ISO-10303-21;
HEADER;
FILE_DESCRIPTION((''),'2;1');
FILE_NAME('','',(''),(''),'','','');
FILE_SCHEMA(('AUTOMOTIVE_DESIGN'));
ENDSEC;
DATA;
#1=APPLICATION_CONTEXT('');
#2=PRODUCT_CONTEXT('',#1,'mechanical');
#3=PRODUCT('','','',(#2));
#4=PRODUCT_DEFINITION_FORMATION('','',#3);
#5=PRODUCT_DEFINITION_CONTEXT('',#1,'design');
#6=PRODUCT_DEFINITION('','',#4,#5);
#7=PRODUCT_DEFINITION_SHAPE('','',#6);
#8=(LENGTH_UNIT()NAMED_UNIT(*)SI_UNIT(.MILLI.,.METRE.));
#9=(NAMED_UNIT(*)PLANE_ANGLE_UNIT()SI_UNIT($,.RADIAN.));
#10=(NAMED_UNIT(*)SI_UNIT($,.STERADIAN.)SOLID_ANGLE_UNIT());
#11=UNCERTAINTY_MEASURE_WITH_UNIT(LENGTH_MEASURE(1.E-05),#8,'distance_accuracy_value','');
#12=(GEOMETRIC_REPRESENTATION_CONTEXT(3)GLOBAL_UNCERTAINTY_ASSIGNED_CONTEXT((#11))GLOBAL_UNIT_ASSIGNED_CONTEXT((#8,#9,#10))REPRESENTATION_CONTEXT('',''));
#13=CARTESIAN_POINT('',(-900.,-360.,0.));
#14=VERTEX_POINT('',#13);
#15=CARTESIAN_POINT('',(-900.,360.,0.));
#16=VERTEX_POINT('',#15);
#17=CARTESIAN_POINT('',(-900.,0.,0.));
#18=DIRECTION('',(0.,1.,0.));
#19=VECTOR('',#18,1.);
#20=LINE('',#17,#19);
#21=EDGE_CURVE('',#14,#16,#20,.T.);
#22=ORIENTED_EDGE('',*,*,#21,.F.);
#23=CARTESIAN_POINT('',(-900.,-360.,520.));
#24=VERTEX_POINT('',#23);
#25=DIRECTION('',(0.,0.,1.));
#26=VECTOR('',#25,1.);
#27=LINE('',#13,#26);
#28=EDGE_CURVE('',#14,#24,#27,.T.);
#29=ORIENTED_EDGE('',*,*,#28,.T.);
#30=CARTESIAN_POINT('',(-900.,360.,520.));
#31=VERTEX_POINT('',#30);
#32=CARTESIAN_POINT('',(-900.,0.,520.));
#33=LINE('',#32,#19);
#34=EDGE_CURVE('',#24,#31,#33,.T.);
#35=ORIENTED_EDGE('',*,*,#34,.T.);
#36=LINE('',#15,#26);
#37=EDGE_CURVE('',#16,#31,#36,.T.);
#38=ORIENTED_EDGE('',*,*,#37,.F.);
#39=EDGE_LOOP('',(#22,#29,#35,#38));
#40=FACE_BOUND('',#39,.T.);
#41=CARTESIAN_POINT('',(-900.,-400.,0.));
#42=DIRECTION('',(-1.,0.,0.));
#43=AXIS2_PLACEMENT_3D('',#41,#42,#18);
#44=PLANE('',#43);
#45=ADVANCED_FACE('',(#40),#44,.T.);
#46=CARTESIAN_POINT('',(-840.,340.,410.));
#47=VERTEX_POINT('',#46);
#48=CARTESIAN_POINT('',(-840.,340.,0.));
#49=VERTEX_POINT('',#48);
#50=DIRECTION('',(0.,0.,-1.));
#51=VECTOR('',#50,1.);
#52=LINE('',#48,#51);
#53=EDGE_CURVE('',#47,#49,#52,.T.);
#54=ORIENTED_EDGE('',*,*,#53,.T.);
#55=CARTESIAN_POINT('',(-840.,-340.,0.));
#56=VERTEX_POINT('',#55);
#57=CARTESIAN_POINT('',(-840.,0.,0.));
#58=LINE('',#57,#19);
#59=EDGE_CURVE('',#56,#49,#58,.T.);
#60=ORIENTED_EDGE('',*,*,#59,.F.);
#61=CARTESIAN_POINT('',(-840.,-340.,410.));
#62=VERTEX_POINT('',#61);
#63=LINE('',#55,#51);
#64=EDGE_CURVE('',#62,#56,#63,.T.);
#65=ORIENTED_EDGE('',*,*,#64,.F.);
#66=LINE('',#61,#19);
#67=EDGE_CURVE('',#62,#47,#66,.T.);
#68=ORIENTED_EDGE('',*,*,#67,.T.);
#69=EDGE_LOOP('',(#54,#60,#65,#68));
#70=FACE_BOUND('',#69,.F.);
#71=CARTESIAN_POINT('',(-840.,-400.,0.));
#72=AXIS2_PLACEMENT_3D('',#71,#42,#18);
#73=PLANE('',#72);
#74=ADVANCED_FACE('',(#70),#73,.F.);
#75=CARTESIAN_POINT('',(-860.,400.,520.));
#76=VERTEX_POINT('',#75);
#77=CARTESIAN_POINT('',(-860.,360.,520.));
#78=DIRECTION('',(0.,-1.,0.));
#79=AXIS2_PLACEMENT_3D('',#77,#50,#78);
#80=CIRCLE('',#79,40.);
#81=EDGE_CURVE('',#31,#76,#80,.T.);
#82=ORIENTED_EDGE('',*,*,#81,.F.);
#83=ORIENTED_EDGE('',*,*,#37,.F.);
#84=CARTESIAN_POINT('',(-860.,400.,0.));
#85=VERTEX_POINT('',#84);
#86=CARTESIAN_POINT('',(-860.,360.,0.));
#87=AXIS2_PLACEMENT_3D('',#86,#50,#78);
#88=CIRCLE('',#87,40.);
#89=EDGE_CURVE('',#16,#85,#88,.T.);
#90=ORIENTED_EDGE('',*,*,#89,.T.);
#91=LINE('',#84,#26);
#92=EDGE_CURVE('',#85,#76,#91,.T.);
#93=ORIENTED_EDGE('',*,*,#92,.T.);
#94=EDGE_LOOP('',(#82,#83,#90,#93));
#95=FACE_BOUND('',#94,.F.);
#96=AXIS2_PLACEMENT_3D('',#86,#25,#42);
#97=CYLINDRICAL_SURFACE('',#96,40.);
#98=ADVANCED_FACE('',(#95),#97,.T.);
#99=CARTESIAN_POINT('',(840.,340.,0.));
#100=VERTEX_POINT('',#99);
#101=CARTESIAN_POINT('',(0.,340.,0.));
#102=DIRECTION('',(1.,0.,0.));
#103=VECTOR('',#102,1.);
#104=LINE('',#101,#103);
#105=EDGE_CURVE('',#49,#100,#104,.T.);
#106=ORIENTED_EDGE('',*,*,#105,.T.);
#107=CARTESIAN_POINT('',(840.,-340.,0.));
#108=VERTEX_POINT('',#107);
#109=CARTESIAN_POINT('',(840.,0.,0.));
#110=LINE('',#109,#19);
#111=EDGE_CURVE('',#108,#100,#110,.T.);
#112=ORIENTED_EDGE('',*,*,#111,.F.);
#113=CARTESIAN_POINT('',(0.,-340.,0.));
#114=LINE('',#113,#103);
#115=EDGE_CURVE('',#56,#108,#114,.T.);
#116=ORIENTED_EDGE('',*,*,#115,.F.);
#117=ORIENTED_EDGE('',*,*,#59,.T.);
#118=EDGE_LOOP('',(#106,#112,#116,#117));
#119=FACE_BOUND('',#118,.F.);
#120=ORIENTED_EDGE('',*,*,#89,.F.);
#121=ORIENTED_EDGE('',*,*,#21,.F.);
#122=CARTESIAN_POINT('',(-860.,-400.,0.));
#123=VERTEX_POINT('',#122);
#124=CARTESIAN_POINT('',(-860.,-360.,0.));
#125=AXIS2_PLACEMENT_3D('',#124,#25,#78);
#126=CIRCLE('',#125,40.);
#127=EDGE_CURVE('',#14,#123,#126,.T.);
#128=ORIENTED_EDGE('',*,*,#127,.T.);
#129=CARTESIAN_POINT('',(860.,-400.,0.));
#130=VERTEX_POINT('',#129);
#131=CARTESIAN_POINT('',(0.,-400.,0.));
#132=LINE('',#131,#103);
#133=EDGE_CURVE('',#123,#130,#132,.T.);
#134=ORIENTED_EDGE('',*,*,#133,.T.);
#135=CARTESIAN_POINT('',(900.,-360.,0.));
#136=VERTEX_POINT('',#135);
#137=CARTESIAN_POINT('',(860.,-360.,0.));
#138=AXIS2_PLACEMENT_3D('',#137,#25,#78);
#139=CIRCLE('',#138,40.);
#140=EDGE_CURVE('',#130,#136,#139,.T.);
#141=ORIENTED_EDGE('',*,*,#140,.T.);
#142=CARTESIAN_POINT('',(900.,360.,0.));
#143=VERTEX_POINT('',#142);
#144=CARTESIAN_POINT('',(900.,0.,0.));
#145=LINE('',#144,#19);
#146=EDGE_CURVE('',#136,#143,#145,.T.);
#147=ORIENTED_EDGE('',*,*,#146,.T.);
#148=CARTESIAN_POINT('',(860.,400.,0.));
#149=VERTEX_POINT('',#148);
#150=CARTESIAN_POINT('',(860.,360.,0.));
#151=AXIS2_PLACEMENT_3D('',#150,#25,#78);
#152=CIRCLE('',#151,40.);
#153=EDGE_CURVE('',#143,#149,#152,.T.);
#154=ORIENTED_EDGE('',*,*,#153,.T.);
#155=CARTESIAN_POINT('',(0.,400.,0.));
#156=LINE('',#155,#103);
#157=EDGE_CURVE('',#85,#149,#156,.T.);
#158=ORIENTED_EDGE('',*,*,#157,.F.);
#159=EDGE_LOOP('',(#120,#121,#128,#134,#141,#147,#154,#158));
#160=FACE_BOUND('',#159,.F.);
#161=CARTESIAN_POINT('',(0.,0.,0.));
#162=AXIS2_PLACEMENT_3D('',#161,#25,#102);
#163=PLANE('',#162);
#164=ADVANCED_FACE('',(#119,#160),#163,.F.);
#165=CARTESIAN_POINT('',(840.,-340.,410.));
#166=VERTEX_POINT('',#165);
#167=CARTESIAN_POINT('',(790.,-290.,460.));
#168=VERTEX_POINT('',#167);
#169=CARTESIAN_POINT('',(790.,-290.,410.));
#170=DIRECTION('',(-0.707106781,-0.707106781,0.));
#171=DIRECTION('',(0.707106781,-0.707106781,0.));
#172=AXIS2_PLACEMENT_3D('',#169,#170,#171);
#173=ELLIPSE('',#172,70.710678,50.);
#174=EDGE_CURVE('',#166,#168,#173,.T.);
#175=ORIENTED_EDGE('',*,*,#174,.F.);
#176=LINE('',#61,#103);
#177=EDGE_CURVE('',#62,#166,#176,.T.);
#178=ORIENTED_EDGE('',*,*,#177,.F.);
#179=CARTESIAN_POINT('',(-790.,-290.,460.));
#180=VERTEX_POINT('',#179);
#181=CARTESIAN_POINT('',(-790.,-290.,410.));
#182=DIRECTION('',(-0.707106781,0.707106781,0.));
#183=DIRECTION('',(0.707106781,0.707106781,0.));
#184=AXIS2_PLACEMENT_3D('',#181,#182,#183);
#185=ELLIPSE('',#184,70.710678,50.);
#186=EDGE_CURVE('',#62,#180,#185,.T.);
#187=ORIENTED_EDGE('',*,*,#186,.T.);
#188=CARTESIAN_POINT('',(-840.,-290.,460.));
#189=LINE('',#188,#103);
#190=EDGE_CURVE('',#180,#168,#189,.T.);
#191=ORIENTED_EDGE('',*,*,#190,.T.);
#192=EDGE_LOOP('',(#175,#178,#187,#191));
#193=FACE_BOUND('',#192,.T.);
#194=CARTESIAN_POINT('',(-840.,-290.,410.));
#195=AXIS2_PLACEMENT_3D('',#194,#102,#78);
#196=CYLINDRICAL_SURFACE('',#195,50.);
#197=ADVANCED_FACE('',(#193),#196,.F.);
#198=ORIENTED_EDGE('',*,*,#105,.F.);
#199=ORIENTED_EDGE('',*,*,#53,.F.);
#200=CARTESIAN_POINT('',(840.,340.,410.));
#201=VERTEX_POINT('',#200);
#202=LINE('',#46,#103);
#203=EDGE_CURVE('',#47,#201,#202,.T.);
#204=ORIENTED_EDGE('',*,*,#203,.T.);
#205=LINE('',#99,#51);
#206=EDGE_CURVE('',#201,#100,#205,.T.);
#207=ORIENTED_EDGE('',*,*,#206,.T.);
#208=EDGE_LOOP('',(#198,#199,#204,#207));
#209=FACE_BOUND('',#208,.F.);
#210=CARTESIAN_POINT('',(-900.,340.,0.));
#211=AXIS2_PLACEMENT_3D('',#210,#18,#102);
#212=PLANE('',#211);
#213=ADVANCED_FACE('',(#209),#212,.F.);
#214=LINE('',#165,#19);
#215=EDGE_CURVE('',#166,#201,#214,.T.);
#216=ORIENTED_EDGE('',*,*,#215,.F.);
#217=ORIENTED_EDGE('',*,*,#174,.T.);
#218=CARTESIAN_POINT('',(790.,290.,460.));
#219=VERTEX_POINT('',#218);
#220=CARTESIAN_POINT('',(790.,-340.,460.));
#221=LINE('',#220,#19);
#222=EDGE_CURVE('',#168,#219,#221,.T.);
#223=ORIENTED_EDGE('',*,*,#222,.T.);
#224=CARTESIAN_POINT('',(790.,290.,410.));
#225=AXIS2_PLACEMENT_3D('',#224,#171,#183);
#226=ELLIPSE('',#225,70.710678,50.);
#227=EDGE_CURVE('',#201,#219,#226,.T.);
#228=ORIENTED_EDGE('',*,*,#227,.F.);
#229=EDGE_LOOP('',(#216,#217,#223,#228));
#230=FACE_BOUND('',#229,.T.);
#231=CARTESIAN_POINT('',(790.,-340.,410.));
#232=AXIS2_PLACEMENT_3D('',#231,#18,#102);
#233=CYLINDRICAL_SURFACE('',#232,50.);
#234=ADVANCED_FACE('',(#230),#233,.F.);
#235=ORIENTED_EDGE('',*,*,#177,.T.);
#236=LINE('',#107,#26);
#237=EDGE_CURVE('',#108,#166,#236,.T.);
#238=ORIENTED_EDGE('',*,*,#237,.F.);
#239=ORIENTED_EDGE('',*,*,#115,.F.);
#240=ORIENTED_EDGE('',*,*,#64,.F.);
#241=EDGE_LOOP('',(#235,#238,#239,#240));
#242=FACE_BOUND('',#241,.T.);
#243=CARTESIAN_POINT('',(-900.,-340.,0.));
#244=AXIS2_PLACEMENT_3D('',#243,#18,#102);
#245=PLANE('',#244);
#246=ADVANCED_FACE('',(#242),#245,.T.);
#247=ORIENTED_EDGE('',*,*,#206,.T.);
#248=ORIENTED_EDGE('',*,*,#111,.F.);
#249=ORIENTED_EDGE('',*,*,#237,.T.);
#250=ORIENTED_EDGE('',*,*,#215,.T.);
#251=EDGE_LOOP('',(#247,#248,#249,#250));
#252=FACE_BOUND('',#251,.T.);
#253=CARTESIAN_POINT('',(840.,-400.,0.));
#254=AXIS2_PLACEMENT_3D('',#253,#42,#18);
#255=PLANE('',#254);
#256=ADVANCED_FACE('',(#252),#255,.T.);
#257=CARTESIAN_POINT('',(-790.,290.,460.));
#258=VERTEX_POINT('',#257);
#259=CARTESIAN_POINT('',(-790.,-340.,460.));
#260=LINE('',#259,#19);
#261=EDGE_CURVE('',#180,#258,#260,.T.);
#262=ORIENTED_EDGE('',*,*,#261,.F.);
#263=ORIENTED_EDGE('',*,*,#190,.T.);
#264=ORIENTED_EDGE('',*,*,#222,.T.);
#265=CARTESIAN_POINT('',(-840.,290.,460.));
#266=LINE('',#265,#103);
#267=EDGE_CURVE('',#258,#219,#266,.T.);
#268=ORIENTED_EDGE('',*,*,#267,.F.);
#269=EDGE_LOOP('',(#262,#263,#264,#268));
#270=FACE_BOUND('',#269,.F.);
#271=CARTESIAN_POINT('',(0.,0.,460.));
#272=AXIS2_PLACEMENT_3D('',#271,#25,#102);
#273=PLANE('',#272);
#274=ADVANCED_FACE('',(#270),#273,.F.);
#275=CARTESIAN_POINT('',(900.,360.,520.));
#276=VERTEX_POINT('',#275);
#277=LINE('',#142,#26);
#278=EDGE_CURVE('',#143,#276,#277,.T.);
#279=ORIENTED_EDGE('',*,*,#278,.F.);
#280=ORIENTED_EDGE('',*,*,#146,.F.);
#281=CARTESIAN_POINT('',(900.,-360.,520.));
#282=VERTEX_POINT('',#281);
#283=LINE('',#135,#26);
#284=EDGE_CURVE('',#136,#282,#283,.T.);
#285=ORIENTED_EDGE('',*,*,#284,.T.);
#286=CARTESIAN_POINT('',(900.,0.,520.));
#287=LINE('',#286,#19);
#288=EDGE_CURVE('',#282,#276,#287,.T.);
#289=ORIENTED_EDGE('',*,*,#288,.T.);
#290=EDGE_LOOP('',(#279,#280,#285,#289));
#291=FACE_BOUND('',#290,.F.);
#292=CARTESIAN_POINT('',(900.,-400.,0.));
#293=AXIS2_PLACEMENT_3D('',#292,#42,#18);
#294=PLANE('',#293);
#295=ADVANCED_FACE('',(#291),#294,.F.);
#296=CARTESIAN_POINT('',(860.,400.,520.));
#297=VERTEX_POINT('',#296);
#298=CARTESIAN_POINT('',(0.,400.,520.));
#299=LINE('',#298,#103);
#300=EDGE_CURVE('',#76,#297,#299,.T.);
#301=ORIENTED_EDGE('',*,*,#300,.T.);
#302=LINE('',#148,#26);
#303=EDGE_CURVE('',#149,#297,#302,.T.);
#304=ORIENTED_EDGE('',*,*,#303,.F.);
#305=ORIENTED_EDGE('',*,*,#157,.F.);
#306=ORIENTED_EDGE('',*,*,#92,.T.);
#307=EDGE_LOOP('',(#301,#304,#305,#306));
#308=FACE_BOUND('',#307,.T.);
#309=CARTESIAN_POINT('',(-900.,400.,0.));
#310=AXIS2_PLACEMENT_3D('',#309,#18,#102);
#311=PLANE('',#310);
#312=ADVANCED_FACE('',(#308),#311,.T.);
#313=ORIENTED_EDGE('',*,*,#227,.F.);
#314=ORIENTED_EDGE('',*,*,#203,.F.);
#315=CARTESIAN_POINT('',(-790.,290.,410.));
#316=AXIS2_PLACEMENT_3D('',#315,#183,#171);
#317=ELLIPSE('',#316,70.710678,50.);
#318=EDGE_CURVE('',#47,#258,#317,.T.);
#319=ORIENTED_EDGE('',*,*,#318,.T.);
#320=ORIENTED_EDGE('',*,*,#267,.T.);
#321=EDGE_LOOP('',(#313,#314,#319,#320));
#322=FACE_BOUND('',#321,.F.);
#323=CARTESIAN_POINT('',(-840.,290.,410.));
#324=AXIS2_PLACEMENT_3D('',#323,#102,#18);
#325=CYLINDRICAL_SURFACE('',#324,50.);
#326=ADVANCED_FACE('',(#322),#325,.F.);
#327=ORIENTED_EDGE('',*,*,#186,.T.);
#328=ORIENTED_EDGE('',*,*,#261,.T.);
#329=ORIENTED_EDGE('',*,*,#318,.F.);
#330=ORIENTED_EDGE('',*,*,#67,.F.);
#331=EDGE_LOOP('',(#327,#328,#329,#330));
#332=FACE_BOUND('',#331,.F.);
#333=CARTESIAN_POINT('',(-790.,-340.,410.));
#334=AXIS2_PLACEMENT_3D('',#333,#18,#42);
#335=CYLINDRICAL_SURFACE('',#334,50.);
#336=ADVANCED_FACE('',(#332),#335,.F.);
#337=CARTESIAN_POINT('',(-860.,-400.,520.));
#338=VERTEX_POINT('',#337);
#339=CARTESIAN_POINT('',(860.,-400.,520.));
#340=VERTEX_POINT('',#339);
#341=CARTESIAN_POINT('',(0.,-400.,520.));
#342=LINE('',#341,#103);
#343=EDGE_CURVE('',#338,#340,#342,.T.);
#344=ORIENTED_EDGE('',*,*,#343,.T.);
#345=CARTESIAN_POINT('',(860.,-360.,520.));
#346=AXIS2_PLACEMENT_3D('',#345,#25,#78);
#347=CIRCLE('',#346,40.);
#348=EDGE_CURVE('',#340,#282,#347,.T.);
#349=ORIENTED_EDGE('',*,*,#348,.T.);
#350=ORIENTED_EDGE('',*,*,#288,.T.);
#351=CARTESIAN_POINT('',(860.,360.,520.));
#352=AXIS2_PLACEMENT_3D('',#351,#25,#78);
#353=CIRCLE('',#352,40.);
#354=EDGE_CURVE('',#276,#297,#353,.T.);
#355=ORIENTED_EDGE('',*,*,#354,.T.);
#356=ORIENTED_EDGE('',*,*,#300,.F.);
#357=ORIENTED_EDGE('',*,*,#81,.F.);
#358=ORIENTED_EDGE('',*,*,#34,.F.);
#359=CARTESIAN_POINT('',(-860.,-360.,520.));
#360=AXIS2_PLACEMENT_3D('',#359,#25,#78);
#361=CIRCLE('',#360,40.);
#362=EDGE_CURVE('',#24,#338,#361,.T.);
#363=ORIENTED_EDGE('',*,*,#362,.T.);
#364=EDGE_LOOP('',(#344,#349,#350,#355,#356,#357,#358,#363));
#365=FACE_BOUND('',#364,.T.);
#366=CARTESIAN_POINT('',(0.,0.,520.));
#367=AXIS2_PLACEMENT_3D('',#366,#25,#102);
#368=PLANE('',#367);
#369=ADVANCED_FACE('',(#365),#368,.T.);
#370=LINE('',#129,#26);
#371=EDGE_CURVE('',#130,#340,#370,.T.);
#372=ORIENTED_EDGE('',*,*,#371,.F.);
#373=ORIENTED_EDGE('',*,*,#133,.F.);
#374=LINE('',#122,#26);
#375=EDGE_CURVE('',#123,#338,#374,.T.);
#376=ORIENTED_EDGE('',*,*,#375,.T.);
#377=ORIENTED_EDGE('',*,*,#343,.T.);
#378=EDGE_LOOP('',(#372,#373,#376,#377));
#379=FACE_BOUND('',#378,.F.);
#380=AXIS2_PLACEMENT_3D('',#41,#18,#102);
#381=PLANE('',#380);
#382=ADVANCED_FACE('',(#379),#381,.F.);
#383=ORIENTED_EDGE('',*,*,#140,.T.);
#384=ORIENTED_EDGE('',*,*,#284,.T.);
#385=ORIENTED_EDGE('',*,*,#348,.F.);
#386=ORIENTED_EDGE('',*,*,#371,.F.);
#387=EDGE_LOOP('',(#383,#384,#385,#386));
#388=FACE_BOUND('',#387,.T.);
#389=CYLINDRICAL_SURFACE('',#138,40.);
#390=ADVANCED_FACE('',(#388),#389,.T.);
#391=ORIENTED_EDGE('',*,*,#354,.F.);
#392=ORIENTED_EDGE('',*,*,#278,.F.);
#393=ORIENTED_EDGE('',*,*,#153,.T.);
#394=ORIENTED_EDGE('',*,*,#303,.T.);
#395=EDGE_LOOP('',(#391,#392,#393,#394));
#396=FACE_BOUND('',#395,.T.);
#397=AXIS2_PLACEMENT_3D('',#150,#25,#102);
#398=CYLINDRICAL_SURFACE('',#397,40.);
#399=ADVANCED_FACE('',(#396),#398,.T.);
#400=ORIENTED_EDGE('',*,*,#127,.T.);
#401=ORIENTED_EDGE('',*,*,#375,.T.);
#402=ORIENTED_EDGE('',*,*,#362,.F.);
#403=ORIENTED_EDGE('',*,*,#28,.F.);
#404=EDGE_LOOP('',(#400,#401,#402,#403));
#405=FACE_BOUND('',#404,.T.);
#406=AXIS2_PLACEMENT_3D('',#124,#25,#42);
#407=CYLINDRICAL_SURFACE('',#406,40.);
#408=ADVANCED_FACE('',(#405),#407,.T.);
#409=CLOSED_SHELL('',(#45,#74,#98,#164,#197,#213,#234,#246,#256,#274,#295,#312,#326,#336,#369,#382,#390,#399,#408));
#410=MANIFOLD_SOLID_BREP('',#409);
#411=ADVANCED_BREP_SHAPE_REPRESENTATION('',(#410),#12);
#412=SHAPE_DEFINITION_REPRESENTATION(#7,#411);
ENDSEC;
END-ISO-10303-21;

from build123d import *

# Parameters (mm, degrees)
F0_W     = 1800
F0_H     = 800
F1_DEPTH = 520
F2_T     = -60
F3_R     = 50
F4_R     = 40


with BuildPart() as f1:
    # F0 (on Top) → F1 (new body)
    with BuildSketch(Plane.XY):
        Rectangle(F0_W, F0_H)
    extrude(amount=F1_DEPTH)

    # F2
    f2_openings = [f1.faces().sort_by_distance(p)[0] for p in [
        (0, 0, 0),
    ]]
    offset(amount=F2_T, openings=f2_openings)

    # F3
    f3_edges = [f1.edges().sort_by_distance(p)[0] for p in [
        (0, -340, 460),
        (840, 0, 460),
        (0, 340, 460),
        (-840, 0, 460),
    ]]
    fillet(f3_edges, radius=F3_R)

    # F4
    f4_edges = [f1.edges().sort_by_distance(p)[0] for p in [
        (900, 400, 260),
        (900, -400, 260),
        (-900, -400, 260),
        (-900, 400, 260),
    ]]
    fillet(f4_edges, radius=F4_R)


solid = f1.part
